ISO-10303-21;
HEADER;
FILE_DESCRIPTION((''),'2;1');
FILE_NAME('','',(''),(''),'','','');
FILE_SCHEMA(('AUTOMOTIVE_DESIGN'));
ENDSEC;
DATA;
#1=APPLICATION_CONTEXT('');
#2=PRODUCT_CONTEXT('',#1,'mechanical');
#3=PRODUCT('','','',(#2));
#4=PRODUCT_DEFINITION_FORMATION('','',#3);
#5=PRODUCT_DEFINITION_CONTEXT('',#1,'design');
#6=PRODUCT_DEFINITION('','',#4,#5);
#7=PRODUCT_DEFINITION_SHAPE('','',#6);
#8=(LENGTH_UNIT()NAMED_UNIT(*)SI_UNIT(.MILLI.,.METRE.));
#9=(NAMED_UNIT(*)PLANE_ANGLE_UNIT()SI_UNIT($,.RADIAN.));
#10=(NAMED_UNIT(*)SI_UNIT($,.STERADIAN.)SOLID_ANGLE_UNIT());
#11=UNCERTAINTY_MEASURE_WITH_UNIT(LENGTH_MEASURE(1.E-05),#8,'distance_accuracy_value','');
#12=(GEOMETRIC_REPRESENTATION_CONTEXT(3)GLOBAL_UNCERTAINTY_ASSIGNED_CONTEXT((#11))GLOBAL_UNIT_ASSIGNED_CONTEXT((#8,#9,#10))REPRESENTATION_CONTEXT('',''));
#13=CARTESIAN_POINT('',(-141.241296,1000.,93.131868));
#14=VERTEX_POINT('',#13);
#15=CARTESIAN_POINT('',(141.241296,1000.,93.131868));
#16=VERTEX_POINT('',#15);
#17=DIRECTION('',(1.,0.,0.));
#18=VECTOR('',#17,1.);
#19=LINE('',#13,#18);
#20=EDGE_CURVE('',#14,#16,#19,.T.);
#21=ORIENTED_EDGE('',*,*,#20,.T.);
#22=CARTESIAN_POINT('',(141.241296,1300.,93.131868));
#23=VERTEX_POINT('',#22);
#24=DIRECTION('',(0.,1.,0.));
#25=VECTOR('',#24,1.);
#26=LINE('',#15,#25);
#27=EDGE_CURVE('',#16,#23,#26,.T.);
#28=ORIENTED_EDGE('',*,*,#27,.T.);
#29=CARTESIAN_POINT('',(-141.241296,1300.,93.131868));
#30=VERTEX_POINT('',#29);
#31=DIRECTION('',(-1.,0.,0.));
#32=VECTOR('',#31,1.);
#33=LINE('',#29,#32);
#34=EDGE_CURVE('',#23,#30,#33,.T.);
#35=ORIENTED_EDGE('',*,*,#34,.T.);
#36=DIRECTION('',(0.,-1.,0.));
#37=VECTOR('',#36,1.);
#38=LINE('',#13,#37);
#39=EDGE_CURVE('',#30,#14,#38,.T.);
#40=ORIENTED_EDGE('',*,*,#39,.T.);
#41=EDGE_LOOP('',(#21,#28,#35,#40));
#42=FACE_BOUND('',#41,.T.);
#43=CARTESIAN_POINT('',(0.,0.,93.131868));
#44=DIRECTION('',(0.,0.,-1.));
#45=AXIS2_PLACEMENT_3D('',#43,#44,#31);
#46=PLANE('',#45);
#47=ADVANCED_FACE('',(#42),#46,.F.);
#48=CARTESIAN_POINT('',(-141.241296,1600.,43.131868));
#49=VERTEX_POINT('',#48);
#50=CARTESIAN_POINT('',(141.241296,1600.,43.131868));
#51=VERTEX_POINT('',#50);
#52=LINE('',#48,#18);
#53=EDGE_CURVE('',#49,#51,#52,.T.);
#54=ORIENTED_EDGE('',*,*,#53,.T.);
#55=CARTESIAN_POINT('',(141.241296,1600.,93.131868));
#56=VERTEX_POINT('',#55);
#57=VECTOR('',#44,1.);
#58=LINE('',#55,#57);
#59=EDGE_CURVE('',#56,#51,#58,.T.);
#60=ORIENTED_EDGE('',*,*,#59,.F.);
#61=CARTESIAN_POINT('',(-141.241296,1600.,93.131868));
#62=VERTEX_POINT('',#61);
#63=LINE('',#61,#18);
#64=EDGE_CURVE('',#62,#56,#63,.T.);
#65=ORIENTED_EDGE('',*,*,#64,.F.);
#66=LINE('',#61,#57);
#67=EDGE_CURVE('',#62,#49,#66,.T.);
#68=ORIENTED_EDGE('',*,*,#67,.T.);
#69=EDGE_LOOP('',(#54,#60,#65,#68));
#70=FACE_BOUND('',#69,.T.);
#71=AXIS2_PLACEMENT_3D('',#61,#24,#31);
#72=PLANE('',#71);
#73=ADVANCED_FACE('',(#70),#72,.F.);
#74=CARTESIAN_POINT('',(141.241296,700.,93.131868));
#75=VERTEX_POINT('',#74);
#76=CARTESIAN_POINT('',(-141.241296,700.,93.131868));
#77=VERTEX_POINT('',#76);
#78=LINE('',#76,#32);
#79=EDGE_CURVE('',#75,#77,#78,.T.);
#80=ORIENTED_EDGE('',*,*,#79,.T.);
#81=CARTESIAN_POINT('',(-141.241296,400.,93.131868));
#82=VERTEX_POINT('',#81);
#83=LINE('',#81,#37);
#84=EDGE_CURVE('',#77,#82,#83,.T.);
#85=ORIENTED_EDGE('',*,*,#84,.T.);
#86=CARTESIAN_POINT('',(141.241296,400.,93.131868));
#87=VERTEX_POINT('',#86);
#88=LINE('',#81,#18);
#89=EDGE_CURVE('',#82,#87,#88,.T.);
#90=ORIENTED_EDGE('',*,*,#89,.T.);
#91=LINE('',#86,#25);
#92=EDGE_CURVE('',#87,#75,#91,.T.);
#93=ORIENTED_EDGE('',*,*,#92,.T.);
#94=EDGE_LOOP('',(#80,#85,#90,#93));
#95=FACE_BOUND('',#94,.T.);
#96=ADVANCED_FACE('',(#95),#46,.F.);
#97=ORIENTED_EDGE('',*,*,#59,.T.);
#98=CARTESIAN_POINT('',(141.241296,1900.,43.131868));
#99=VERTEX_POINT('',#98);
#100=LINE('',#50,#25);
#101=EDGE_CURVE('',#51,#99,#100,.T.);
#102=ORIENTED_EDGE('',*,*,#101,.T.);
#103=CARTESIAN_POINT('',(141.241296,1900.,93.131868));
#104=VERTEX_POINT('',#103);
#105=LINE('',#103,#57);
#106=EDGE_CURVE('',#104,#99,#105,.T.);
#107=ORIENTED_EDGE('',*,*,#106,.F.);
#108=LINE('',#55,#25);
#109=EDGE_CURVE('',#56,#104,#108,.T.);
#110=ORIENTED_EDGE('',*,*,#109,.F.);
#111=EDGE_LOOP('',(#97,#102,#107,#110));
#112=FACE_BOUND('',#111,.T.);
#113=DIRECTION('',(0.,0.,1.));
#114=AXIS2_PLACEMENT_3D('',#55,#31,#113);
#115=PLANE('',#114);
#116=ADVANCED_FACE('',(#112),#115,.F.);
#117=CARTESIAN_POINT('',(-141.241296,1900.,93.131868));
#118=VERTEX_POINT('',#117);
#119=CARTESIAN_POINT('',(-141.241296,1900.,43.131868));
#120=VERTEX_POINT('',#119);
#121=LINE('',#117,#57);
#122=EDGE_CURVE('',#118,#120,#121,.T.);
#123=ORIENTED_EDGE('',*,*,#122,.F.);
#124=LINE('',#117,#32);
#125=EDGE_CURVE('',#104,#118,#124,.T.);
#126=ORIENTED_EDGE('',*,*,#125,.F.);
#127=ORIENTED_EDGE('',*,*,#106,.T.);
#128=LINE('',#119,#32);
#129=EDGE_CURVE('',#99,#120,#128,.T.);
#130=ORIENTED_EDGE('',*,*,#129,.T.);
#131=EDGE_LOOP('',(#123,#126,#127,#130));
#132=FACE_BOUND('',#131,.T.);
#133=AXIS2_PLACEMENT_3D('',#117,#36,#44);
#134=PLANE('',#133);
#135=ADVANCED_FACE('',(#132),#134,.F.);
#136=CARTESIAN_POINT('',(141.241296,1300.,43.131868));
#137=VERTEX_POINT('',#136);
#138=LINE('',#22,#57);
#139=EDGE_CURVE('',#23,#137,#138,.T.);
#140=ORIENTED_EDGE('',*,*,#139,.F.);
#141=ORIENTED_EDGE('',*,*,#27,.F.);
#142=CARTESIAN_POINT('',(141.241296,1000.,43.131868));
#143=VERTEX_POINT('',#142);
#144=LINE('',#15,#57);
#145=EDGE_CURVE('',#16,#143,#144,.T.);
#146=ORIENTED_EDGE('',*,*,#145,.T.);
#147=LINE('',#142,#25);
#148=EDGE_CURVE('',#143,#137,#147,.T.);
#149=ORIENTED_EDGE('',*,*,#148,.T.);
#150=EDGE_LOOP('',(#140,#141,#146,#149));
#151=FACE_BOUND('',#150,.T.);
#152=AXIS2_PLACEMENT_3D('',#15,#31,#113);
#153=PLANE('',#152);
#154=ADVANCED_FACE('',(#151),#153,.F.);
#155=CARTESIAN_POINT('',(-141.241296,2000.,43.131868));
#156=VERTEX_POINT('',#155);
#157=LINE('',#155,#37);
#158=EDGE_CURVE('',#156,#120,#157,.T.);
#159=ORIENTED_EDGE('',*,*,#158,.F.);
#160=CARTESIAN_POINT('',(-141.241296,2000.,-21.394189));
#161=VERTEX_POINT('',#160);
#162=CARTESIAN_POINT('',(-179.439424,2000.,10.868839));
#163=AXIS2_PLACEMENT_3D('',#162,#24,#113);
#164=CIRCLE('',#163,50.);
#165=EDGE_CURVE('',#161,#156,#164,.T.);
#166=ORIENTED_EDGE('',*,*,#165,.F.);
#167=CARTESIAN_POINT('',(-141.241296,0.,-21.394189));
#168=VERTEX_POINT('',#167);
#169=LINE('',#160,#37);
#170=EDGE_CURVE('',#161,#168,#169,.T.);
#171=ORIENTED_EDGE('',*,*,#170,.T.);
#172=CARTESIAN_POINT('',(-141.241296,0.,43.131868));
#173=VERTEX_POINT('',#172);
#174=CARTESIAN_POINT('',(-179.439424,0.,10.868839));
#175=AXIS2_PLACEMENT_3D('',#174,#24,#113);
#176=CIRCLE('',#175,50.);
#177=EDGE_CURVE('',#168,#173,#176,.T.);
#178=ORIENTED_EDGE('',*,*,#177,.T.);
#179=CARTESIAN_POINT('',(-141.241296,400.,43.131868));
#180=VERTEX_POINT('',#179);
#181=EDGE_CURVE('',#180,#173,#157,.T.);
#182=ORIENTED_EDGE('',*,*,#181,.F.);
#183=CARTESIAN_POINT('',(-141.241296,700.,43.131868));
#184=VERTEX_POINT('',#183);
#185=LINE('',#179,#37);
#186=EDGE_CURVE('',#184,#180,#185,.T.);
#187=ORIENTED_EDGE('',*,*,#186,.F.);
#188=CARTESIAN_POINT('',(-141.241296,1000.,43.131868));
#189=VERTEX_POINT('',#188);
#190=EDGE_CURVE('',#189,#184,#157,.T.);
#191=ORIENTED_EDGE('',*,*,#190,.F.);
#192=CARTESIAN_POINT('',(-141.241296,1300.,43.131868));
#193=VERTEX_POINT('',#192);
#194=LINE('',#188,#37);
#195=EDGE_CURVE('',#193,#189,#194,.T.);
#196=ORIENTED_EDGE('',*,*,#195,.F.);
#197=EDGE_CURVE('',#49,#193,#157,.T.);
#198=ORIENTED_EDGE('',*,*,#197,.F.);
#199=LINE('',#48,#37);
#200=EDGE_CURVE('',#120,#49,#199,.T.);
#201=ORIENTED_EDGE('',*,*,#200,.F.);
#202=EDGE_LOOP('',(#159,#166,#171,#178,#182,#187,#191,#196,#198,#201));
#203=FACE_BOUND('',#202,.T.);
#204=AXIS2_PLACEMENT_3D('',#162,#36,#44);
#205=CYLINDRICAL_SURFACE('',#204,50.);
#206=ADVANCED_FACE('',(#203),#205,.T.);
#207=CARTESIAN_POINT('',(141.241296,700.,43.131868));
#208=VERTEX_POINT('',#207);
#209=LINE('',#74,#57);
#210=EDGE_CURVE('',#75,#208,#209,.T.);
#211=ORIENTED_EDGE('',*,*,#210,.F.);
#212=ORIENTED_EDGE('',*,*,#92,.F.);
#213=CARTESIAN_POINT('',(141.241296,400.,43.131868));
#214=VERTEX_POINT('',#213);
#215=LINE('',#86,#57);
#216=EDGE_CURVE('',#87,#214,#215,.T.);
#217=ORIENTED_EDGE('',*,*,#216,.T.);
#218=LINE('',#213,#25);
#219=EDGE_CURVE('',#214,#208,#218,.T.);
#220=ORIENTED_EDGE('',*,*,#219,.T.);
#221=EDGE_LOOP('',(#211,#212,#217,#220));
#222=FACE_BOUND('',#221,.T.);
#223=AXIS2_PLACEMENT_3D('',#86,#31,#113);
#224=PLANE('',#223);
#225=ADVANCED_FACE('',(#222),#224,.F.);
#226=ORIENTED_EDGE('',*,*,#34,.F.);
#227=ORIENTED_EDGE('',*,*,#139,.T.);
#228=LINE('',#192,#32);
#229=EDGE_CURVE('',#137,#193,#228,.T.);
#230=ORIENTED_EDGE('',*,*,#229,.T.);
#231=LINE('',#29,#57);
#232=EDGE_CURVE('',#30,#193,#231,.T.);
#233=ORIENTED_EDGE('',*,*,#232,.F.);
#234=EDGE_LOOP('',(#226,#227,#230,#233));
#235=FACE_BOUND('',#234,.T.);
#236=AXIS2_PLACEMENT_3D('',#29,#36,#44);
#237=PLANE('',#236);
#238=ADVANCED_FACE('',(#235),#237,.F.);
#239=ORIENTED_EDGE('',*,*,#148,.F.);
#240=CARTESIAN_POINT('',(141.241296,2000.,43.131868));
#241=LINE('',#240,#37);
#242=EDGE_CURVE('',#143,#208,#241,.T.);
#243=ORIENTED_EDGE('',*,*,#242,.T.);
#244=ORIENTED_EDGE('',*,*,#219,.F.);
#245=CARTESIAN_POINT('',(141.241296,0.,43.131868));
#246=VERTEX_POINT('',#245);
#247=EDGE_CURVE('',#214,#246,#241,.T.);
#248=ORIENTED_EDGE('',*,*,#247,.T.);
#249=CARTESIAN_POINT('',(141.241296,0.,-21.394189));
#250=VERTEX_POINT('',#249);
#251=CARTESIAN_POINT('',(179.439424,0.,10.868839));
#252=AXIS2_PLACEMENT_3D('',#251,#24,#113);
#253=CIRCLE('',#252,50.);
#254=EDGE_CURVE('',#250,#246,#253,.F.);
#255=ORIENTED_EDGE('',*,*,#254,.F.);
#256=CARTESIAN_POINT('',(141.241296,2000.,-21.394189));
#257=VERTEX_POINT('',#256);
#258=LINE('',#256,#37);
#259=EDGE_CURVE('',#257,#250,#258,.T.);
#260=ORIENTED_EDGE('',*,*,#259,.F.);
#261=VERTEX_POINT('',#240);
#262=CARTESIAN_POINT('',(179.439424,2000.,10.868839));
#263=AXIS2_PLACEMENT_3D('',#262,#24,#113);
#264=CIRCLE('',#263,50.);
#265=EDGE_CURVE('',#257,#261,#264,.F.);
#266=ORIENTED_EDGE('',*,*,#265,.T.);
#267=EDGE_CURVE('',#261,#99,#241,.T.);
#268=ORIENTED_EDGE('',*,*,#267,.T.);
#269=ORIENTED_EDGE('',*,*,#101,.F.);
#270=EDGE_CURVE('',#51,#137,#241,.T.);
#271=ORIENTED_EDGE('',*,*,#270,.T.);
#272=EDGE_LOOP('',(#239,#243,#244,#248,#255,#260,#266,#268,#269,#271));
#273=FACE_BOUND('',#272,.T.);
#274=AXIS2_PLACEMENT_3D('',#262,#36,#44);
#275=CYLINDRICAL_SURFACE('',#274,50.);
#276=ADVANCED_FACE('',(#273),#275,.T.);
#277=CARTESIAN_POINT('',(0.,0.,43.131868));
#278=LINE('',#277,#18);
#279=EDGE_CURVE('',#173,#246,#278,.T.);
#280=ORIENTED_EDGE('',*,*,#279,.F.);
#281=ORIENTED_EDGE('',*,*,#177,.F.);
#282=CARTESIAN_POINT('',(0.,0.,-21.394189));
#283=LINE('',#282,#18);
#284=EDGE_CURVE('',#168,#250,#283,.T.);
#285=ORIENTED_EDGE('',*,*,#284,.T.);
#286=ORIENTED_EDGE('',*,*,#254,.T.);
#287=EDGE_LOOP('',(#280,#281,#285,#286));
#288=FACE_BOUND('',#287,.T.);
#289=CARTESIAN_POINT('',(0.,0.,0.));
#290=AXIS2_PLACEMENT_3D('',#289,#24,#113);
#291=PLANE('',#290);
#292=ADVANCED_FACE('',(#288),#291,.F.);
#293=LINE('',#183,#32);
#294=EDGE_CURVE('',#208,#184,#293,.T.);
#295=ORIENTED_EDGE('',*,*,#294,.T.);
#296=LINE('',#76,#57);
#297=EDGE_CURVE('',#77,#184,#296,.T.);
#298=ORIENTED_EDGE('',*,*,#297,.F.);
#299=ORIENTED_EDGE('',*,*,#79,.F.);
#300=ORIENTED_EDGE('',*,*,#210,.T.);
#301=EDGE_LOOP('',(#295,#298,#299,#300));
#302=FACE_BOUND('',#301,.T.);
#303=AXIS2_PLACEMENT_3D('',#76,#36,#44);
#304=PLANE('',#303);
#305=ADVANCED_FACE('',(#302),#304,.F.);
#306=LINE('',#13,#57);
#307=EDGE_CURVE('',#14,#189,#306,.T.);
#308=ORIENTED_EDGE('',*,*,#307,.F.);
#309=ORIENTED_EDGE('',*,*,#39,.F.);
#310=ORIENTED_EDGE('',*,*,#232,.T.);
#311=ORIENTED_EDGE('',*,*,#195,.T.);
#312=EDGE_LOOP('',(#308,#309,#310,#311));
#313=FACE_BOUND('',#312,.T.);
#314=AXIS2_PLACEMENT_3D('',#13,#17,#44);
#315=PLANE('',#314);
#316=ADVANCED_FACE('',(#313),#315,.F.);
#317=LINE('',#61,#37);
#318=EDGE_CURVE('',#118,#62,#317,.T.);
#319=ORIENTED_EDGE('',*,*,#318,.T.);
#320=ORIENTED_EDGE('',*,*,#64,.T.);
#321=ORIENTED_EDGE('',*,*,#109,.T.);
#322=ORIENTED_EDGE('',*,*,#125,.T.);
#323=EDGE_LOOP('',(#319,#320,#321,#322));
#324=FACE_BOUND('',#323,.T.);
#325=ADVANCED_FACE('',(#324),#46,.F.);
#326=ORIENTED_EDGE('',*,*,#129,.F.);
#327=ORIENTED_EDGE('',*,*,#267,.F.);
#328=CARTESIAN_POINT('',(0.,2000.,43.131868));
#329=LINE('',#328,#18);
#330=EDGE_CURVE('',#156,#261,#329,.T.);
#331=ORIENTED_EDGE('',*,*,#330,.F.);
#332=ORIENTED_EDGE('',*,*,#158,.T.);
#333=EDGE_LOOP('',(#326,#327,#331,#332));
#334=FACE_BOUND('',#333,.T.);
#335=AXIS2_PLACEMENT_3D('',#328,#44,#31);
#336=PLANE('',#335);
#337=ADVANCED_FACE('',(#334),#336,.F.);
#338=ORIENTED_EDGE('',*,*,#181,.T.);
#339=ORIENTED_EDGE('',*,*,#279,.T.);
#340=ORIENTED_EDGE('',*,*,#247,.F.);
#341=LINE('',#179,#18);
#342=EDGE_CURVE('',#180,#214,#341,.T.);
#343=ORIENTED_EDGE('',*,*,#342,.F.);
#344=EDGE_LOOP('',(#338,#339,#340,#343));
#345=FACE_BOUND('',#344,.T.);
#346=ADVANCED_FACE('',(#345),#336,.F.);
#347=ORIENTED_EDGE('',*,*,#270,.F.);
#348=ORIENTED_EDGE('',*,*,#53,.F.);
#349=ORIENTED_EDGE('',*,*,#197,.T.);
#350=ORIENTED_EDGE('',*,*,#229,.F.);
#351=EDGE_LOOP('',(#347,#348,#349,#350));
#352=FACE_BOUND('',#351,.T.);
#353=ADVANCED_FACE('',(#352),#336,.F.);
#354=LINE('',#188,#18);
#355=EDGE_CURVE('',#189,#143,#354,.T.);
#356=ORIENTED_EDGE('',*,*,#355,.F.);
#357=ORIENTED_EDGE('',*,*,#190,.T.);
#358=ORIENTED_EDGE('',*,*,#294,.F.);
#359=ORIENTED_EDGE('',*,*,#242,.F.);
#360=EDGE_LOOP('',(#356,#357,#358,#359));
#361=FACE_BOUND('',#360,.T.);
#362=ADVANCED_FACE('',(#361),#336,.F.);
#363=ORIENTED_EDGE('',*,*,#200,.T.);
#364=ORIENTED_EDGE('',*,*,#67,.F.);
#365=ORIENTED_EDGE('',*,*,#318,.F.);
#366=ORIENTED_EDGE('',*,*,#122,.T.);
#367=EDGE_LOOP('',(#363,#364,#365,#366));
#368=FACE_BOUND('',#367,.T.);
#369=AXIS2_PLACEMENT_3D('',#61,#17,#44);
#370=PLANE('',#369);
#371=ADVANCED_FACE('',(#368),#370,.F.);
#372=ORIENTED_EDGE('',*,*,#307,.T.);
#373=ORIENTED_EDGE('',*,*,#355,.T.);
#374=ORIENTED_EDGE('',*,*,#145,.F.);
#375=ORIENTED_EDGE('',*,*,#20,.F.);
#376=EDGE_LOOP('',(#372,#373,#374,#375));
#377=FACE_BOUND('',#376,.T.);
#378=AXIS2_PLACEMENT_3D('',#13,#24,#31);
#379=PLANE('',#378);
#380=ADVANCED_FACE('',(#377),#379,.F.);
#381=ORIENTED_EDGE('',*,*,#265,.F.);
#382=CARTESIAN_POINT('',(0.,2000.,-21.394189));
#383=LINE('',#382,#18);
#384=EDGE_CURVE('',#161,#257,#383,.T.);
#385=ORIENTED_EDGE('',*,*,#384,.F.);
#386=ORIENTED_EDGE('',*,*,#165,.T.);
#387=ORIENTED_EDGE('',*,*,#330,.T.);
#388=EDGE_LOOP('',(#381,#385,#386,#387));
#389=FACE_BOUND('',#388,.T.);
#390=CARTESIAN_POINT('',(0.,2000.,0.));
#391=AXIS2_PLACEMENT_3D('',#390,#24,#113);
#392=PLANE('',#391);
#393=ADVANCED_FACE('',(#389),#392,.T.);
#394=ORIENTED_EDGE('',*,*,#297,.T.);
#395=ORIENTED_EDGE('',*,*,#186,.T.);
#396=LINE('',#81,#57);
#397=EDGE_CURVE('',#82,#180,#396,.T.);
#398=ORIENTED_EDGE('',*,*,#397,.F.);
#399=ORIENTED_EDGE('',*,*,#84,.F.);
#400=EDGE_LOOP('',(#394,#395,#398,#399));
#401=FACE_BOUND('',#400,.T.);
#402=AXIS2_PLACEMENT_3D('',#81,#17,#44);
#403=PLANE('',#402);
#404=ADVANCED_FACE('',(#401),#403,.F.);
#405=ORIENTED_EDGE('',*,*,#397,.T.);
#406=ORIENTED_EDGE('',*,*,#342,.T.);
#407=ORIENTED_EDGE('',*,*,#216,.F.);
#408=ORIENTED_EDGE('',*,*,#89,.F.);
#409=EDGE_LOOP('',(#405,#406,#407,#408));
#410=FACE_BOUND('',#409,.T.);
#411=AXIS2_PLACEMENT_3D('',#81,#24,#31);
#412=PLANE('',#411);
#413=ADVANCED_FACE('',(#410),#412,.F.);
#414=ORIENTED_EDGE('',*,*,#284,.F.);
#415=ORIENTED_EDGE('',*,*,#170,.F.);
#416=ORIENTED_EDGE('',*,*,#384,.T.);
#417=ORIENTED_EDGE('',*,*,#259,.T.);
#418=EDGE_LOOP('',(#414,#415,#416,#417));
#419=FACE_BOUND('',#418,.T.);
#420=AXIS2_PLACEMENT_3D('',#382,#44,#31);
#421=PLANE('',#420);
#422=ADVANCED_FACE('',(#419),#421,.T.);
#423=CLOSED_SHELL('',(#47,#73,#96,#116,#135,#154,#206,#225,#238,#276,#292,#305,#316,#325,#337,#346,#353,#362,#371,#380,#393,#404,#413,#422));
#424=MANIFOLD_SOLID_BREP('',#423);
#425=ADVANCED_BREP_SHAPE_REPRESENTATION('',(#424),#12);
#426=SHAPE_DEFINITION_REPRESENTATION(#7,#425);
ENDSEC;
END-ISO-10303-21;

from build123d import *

# Parameters (mm, degrees)
EXTRUDE_1_DEPTH = 2000
SKETCH_3_W      = 282.482591868
SKETCH_3_H      = 300
EXTRUDE_2_DEPTH = 50


with BuildPart() as part:
    # 草圖2 → 填料-伸長1 (new body)
    with BuildSketch(Plane(origin=(0, 0, 0), x_dir=(1, 0, 0), z_dir=(0, 1, 0))):
        with BuildLine():
            Line((-141.241295934, 21.394189404), (141.241295934, 21.394189404))
            ThreePointArc((141.241295934, 21.394189404), (229.43942383, -10.868839364), (141.241295934, -43.131868132))
            Line((141.241295934, -43.131868132), (-141.241295934, -43.131868132))
            ThreePointArc((-141.241295934, -43.131868132), (-229.43942383, -10.868839364), (-141.241295934, 21.394189404))
        make_face()
    extrude(amount=EXTRUDE_1_DEPTH)

    # 草圖3 → 填料-伸長2 (add)
    with BuildSketch(Plane.XY.offset(43.131868132)):
        with Locations((0, 550)):
            Rectangle(SKETCH_3_W, SKETCH_3_H)
        with Locations((0, 1150)):
            Rectangle(SKETCH_3_W, SKETCH_3_H)
        with Locations((0, 1750)):
            Rectangle(SKETCH_3_W, SKETCH_3_H)
    extrude(amount=EXTRUDE_2_DEPTH)


solid = part.part
